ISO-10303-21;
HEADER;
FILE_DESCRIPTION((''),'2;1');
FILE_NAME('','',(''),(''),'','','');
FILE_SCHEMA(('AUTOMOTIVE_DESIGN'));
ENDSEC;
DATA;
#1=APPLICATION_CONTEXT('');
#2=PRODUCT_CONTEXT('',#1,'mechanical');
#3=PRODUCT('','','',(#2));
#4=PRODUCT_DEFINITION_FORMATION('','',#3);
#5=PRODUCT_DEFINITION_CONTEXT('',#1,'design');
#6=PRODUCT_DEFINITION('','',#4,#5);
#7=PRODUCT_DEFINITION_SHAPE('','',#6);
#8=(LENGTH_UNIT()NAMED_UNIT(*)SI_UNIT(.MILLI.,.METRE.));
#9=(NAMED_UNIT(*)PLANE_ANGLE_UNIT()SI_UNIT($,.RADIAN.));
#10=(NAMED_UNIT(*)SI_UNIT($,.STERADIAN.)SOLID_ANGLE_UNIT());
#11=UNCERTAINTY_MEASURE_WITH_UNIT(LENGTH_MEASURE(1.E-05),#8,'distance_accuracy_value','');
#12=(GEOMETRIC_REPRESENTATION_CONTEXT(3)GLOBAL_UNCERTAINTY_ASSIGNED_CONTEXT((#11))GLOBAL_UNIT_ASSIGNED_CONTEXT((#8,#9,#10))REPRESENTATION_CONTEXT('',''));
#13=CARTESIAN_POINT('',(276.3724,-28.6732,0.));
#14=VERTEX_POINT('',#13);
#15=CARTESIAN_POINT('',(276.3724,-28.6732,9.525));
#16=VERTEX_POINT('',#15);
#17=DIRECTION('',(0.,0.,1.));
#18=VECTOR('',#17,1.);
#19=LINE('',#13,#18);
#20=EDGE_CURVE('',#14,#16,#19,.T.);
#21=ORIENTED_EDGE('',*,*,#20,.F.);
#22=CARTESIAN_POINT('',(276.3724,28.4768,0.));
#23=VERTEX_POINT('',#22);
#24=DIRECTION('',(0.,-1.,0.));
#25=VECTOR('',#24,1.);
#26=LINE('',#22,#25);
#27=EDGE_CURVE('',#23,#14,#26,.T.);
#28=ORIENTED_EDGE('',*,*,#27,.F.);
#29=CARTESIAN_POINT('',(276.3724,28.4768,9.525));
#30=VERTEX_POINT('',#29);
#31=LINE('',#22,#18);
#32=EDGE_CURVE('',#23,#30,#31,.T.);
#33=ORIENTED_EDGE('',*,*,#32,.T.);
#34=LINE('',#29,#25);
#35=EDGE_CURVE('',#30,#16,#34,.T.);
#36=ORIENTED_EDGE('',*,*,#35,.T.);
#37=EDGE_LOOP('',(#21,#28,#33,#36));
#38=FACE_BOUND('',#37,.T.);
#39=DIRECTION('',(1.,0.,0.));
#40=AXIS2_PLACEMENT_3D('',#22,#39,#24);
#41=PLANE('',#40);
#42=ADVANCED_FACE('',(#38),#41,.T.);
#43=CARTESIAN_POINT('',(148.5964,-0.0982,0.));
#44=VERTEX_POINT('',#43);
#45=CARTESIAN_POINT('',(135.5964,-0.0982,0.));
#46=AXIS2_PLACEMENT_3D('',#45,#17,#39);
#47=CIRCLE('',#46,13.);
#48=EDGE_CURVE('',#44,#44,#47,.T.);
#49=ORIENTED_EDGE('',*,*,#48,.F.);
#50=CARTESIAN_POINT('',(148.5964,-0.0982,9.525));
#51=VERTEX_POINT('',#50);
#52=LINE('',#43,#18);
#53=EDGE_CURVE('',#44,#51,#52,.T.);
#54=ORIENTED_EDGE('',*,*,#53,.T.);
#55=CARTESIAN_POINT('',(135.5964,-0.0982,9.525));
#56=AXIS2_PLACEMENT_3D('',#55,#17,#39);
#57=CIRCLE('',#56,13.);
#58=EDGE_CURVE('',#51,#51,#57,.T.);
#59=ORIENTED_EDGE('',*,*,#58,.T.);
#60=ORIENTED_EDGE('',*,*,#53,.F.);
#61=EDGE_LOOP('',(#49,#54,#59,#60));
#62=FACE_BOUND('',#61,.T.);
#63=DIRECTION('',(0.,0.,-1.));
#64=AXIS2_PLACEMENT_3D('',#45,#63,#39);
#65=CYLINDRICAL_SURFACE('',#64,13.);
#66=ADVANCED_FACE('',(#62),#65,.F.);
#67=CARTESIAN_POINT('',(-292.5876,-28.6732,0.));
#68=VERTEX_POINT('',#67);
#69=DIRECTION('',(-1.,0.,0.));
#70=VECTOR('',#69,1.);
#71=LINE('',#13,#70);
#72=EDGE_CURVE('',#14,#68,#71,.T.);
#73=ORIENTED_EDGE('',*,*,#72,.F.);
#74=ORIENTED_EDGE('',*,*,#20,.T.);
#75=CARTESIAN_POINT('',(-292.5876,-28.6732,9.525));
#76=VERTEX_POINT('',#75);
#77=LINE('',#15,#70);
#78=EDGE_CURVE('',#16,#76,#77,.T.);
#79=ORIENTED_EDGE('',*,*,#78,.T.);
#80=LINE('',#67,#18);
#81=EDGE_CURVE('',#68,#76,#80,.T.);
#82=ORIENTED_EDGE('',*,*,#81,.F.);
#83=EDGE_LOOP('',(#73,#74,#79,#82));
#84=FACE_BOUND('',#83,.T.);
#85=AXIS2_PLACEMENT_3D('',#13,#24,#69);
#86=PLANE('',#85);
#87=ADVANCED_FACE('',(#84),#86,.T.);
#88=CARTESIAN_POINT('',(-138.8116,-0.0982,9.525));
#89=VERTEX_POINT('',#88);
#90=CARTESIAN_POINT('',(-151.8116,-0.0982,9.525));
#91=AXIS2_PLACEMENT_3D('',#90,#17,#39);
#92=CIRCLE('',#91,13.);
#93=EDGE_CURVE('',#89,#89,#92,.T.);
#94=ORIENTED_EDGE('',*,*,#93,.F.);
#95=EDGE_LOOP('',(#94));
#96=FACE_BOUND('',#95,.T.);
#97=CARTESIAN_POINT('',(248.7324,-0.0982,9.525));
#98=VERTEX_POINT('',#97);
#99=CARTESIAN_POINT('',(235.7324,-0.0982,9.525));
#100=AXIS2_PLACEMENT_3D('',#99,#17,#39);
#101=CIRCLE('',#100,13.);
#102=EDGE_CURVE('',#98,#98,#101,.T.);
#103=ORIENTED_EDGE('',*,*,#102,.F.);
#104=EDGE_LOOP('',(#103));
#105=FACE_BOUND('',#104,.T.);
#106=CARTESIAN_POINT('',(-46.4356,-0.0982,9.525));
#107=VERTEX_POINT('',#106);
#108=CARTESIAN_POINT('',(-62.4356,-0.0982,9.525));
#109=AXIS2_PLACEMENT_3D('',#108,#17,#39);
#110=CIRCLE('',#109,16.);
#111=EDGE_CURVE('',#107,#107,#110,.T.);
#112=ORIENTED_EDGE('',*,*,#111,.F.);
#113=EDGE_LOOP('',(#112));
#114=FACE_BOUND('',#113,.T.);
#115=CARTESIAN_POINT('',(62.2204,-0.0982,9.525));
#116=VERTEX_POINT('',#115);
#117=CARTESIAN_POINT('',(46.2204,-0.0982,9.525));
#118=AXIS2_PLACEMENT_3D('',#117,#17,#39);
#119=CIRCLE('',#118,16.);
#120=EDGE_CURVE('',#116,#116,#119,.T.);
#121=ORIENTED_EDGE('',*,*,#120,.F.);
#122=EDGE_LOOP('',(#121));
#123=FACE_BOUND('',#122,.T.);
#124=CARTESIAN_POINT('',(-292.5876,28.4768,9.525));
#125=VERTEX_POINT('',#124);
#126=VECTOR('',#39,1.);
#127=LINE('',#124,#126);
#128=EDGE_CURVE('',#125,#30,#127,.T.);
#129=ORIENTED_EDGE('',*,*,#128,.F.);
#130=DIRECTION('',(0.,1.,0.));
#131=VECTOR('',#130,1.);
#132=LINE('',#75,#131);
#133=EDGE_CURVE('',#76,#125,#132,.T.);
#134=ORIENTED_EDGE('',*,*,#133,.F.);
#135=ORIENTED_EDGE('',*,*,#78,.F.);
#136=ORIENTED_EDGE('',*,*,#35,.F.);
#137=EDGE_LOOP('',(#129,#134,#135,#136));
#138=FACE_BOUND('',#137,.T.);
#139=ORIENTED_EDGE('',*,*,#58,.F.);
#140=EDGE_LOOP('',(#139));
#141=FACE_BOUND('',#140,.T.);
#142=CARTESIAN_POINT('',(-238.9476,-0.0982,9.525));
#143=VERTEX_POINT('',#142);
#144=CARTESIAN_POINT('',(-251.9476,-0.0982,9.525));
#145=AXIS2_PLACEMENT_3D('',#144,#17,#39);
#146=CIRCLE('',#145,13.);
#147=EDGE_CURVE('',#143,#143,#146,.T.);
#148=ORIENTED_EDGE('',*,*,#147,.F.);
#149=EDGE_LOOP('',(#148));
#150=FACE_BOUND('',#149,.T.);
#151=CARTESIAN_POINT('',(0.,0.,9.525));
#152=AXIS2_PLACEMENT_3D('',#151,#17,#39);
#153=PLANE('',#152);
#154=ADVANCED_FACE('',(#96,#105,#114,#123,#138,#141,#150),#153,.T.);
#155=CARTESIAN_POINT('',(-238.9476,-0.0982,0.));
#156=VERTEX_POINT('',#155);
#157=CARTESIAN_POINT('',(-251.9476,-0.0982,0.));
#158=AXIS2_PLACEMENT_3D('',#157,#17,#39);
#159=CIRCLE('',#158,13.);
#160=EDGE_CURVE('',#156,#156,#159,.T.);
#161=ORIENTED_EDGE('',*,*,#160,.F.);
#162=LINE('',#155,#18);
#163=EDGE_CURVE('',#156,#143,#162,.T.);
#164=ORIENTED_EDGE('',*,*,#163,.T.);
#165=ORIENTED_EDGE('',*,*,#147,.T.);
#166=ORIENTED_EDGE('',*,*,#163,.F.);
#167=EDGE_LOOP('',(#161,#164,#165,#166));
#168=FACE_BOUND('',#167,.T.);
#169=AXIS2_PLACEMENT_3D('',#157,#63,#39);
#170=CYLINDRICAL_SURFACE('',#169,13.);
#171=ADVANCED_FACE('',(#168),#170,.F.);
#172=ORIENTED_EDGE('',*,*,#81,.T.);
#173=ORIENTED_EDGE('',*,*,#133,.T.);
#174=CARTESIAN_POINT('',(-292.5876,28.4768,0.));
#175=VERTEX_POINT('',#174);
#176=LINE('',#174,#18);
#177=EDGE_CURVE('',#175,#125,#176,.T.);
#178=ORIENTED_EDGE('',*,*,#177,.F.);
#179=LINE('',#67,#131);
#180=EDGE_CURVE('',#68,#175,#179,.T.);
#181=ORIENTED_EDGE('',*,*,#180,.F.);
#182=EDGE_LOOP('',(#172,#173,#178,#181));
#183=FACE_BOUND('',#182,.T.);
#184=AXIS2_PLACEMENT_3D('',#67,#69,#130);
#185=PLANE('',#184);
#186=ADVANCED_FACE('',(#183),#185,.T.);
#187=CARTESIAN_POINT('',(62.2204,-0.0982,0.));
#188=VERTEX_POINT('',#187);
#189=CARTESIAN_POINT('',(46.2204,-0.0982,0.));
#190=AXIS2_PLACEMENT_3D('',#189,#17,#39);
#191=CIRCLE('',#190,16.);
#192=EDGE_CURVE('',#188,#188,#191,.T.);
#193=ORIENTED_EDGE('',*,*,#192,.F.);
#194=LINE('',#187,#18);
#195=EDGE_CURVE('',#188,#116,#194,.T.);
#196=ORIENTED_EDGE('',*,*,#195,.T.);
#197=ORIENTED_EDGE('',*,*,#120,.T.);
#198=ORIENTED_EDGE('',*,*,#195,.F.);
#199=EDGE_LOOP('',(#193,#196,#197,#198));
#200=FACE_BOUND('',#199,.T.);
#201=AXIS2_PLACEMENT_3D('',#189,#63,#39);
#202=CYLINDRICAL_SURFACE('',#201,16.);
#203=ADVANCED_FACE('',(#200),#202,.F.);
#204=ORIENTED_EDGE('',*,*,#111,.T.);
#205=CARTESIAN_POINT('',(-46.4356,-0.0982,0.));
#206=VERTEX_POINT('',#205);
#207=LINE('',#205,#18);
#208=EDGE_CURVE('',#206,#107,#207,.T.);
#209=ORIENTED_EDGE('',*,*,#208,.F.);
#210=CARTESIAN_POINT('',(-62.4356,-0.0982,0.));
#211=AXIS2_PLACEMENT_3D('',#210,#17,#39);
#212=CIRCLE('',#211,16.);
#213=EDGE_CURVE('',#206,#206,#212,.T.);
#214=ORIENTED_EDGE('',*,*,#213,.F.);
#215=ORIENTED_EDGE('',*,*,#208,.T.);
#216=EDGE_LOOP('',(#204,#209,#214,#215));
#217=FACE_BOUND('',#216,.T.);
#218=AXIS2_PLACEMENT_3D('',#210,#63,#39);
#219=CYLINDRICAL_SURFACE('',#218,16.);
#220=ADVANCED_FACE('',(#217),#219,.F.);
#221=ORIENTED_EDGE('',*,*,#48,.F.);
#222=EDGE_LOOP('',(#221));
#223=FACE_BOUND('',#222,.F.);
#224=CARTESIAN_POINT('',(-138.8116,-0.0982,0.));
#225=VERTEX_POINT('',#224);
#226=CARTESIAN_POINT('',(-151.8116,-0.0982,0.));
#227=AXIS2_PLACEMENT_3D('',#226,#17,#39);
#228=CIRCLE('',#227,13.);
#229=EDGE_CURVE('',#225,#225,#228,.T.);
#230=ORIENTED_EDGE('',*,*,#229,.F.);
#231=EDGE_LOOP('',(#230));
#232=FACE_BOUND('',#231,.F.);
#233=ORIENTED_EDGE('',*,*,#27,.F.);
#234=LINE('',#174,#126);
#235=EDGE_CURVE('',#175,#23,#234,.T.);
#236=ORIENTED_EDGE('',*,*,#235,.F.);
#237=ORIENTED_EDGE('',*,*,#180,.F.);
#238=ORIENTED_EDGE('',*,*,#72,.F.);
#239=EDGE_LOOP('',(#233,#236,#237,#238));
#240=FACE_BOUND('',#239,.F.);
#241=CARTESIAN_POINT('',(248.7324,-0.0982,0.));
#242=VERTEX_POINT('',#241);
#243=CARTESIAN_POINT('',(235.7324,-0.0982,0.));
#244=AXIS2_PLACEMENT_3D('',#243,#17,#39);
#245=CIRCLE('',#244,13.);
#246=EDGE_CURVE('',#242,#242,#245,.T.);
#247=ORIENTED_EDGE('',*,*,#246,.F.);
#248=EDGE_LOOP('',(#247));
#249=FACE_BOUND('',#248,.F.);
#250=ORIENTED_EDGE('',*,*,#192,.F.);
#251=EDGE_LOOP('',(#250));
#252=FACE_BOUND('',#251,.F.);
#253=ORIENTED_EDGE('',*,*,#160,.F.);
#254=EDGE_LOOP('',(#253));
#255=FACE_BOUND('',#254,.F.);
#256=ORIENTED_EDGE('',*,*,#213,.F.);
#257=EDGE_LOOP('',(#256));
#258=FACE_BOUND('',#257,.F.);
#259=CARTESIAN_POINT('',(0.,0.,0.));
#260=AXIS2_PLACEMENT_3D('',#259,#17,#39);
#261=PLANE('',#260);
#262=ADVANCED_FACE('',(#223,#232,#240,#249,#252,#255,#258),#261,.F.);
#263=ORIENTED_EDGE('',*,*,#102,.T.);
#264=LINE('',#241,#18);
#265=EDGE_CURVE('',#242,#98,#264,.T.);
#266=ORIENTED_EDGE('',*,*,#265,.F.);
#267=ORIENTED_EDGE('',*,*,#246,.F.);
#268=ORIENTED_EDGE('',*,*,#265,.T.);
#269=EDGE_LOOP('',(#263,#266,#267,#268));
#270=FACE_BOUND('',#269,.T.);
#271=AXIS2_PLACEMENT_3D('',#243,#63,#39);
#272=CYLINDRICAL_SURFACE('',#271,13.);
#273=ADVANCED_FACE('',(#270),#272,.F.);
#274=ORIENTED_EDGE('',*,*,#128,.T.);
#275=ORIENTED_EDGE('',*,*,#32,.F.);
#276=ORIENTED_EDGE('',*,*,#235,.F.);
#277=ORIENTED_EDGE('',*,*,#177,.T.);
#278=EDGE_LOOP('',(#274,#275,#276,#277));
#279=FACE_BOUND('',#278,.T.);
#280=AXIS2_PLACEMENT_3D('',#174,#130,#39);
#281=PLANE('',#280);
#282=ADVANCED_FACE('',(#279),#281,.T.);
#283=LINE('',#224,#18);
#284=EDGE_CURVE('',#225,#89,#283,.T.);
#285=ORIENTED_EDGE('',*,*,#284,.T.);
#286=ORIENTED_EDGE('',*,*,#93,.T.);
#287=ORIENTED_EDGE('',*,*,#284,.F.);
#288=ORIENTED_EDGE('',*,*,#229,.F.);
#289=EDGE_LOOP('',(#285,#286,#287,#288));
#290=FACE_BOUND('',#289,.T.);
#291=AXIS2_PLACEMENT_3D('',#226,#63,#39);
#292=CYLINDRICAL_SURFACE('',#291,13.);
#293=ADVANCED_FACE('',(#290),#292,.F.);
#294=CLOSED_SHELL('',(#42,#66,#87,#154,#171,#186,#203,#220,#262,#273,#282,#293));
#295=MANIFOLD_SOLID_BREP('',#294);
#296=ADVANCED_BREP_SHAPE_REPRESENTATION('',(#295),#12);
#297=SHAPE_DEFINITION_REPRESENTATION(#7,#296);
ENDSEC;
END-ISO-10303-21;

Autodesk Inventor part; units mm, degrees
ref_plane "YZ Plane" through (0, 0, 0) normal (1, 0, 0) x (0, 1, 0)
ref_plane "XZ Plane" through (0, 0, 0) normal (0, 1, 0) x (-1, 0, 0)
ref_plane "XY Plane" through (0, 0, 0) normal (0, 0, 1) x (1, 0, 0)
sketch "Sketch1" plane through (0, 0, 0) normal (0, 0, 1) x (1, 0, 0)
  line L0 (-292.5876, 28.4768) -> (276.3724, 28.4768)
  line L1 (276.3724, 28.4768) -> (276.3724, -28.6732)
  line L2 (276.3724, -28.6732) -> (-292.5876, -28.6732)
  line L3 (-292.5876, -28.6732) -> (-292.5876, 28.4768)
  circle A0 centre (-251.9476, -0.0982) radius 13
  circle A1 centre (-151.8116, -0.0982) radius 13
  circle A2 centre (-62.4356, -0.0982) radius 16
  circle A3 centre (235.7324, -0.0982) radius 13
  circle A4 centre (135.5964, -0.0982) radius 13
  circle A5 centre (46.2204, -0.0982) radius 16
  point P0 (0, 0)
  point P1 (-193.5276, 9.4268)
  dimension "d0" = 26
  dimension "d1" = 26
  dimension "d2" = 32
  dimension "d3" = 26
  dimension "d4" = 26
  dimension "d5" = 32
  dimension "d6" = 568.96
  dimension "d7" = 57.15
  dimension "d8" = 40.64
  dimension "d9" = 140.776
  dimension "d10" = 230.152
  dimension "d11" = 230.152
  dimension "d12" = 40.64
  dimension "d13" = 140.776
extrude "Extrusion1" add sketch "Sketch1" along normal blind 9.525
properties part number "side2"
